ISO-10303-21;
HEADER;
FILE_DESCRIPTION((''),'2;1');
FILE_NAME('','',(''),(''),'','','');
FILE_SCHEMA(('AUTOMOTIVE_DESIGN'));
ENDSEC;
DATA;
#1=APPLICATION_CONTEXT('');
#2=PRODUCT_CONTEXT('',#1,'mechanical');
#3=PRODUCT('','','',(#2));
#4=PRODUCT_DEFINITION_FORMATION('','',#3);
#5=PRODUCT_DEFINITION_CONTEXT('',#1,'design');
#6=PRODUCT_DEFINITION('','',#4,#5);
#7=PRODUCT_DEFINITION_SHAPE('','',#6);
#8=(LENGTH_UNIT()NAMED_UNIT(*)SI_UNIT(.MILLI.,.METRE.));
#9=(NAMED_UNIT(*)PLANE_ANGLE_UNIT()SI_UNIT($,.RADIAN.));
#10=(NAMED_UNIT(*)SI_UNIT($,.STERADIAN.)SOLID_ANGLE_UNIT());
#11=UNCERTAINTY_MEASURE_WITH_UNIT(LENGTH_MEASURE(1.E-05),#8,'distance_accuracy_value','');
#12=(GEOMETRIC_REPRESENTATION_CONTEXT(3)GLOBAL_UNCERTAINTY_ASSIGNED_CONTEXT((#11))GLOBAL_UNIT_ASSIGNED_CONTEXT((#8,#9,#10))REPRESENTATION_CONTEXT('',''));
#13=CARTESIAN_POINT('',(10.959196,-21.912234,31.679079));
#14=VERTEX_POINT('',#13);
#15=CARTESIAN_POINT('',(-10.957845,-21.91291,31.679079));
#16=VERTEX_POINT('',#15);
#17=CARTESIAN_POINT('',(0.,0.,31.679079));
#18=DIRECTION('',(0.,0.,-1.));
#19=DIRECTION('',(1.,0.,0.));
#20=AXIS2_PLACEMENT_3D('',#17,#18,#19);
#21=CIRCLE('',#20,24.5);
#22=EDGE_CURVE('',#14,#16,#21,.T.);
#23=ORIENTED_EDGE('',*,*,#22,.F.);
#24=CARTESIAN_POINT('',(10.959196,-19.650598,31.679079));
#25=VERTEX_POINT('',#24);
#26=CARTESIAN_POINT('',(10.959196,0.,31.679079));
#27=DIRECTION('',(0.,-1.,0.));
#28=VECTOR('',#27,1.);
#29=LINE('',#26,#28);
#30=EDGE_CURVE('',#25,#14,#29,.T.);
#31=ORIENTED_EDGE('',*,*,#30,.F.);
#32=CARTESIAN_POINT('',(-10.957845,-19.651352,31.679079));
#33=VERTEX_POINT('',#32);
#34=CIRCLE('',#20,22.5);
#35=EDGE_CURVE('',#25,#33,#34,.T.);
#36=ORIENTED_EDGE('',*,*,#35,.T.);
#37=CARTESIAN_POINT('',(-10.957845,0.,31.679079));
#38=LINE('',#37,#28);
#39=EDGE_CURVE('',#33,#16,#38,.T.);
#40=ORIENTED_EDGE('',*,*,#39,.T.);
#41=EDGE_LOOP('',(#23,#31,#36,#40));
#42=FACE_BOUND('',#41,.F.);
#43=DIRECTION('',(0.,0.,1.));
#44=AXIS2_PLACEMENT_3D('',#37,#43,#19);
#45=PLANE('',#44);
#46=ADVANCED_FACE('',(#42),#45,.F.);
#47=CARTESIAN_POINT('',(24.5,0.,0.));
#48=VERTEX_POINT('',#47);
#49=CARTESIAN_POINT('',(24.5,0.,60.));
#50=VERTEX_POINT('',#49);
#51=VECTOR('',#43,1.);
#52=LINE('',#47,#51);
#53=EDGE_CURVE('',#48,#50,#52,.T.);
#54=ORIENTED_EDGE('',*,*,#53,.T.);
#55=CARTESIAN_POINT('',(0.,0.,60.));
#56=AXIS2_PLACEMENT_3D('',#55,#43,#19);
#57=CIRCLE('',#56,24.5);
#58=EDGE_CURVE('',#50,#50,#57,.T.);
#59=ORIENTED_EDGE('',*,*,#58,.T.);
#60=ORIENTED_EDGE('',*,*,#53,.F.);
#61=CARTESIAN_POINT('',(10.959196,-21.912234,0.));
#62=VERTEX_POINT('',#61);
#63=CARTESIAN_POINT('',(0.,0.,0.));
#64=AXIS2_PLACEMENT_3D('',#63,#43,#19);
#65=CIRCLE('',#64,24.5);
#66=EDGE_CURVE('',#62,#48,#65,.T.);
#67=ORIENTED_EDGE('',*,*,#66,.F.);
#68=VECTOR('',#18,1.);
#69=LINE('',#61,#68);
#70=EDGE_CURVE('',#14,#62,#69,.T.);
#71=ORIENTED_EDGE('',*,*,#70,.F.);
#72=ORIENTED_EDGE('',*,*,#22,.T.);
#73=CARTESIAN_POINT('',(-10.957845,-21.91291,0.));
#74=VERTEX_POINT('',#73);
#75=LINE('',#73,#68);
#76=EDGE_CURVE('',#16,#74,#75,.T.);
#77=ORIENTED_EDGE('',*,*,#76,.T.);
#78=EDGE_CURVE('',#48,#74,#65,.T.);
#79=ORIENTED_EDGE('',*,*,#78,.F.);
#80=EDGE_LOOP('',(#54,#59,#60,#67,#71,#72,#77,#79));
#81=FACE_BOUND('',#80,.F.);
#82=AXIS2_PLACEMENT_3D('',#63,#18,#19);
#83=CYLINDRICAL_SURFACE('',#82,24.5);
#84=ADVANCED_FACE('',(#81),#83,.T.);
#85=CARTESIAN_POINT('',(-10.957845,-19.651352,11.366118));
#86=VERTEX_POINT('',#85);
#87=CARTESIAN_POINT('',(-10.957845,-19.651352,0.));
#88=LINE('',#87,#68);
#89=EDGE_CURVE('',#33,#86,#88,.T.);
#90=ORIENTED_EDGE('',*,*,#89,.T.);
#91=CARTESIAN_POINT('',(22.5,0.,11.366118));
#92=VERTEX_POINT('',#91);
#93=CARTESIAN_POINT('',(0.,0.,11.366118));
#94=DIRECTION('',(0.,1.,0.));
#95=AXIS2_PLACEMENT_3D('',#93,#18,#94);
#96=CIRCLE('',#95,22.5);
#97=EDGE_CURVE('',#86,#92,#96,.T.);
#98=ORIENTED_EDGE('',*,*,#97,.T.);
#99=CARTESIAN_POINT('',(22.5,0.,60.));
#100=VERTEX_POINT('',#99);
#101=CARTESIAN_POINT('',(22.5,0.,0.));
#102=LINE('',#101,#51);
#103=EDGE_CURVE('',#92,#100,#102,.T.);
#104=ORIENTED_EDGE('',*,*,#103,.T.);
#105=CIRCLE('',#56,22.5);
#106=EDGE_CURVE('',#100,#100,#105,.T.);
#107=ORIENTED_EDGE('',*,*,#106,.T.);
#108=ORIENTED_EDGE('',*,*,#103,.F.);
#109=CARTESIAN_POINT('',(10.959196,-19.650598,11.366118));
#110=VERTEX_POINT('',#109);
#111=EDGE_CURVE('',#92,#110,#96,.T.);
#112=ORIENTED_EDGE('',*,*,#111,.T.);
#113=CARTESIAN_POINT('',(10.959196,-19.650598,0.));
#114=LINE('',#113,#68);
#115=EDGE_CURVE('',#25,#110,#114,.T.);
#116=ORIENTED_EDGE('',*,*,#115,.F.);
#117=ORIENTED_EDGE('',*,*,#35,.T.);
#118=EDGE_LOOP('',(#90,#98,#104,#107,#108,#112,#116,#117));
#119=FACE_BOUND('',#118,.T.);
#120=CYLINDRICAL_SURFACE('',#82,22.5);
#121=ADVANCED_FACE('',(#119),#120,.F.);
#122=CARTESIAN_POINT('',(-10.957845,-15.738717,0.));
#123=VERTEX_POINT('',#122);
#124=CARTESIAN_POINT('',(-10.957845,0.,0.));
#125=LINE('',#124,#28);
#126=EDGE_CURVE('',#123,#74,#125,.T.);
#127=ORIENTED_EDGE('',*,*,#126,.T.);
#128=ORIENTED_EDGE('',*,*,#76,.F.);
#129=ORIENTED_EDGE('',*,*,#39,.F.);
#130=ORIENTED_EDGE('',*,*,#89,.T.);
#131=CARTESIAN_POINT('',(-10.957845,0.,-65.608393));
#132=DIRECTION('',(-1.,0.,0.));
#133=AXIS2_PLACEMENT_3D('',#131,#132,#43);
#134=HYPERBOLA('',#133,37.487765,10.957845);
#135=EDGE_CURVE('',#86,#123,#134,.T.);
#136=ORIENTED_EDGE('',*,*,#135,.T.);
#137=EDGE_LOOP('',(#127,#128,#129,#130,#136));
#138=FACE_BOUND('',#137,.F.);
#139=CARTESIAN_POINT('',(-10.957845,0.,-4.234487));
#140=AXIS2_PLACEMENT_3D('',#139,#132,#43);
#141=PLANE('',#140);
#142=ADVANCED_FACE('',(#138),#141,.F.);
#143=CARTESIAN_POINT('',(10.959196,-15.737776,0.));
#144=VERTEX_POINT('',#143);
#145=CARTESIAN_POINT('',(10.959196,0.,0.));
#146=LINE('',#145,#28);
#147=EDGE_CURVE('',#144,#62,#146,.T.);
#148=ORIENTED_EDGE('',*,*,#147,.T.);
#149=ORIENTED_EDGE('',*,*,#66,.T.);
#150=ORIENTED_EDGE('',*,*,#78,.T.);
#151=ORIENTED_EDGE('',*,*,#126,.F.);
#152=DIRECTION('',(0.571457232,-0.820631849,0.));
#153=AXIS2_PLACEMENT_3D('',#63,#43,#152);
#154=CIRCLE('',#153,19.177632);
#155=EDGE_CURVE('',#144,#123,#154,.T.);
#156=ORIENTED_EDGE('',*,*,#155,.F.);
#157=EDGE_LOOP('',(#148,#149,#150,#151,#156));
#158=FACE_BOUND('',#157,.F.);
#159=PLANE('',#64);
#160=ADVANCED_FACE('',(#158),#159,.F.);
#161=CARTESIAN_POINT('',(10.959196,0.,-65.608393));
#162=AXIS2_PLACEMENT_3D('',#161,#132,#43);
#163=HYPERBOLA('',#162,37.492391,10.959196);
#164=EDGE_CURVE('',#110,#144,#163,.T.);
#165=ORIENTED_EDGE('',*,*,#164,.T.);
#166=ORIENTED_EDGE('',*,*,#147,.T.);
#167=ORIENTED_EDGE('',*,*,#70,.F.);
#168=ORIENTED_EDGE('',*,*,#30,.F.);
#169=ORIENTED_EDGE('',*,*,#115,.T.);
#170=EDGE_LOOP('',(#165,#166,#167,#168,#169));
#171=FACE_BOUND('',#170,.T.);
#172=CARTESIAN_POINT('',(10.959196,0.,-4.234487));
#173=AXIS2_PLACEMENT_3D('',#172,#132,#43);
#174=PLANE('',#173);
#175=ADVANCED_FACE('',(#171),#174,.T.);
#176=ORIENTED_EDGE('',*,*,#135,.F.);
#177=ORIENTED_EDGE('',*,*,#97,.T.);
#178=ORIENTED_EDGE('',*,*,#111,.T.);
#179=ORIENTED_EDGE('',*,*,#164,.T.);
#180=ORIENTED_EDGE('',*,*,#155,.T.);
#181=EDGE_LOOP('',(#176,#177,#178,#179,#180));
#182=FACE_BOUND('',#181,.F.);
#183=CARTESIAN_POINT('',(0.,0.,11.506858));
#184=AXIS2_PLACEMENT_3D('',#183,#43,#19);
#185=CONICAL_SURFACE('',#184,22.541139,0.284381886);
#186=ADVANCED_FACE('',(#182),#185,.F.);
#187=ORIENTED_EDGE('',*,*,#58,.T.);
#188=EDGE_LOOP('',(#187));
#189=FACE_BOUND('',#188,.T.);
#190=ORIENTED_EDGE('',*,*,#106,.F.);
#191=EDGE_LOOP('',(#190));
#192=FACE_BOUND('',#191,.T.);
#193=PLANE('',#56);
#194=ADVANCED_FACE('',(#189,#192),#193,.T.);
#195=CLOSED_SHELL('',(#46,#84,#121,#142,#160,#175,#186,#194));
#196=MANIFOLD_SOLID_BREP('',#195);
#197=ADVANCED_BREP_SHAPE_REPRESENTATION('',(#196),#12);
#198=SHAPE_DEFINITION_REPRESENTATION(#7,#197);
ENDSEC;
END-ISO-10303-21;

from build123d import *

# Parameters (mm, degrees)
F0_R     = 24.5
F0_R_2   = 22.5
F1_DEPTH = 60
F4_W     = 21.917041
F4_H     = 35.913566
F5_DEPTH = 25


with BuildPart() as f1:
    # F0 (on Top) → F1 (new body)
    with BuildSketch(Plane.XY):
        Circle(F0_R)
        Circle(F0_R_2, mode=Mode.SUBTRACT)
    extrude(amount=F1_DEPTH)

    # F2 (on Front) → F3 (revolve)
    with BuildSketch(Plane.XZ):
        Polygon((23.440696, 11.506858), (22.541139, 11.506858), (19.177632, 0), (23.440696, 0), align=None)
    revolve(axis=Axis((0, 0, 8.668173), (0, 0, -1)))

    # F4 (on Front) → F5 (cut)
    with BuildSketch(Plane.XZ):
        with Locations((0.000676, 13.722296)):
            Rectangle(F4_W, F4_H)
    extrude(amount=F5_DEPTH, mode=Mode.SUBTRACT)


solid = f1.part
